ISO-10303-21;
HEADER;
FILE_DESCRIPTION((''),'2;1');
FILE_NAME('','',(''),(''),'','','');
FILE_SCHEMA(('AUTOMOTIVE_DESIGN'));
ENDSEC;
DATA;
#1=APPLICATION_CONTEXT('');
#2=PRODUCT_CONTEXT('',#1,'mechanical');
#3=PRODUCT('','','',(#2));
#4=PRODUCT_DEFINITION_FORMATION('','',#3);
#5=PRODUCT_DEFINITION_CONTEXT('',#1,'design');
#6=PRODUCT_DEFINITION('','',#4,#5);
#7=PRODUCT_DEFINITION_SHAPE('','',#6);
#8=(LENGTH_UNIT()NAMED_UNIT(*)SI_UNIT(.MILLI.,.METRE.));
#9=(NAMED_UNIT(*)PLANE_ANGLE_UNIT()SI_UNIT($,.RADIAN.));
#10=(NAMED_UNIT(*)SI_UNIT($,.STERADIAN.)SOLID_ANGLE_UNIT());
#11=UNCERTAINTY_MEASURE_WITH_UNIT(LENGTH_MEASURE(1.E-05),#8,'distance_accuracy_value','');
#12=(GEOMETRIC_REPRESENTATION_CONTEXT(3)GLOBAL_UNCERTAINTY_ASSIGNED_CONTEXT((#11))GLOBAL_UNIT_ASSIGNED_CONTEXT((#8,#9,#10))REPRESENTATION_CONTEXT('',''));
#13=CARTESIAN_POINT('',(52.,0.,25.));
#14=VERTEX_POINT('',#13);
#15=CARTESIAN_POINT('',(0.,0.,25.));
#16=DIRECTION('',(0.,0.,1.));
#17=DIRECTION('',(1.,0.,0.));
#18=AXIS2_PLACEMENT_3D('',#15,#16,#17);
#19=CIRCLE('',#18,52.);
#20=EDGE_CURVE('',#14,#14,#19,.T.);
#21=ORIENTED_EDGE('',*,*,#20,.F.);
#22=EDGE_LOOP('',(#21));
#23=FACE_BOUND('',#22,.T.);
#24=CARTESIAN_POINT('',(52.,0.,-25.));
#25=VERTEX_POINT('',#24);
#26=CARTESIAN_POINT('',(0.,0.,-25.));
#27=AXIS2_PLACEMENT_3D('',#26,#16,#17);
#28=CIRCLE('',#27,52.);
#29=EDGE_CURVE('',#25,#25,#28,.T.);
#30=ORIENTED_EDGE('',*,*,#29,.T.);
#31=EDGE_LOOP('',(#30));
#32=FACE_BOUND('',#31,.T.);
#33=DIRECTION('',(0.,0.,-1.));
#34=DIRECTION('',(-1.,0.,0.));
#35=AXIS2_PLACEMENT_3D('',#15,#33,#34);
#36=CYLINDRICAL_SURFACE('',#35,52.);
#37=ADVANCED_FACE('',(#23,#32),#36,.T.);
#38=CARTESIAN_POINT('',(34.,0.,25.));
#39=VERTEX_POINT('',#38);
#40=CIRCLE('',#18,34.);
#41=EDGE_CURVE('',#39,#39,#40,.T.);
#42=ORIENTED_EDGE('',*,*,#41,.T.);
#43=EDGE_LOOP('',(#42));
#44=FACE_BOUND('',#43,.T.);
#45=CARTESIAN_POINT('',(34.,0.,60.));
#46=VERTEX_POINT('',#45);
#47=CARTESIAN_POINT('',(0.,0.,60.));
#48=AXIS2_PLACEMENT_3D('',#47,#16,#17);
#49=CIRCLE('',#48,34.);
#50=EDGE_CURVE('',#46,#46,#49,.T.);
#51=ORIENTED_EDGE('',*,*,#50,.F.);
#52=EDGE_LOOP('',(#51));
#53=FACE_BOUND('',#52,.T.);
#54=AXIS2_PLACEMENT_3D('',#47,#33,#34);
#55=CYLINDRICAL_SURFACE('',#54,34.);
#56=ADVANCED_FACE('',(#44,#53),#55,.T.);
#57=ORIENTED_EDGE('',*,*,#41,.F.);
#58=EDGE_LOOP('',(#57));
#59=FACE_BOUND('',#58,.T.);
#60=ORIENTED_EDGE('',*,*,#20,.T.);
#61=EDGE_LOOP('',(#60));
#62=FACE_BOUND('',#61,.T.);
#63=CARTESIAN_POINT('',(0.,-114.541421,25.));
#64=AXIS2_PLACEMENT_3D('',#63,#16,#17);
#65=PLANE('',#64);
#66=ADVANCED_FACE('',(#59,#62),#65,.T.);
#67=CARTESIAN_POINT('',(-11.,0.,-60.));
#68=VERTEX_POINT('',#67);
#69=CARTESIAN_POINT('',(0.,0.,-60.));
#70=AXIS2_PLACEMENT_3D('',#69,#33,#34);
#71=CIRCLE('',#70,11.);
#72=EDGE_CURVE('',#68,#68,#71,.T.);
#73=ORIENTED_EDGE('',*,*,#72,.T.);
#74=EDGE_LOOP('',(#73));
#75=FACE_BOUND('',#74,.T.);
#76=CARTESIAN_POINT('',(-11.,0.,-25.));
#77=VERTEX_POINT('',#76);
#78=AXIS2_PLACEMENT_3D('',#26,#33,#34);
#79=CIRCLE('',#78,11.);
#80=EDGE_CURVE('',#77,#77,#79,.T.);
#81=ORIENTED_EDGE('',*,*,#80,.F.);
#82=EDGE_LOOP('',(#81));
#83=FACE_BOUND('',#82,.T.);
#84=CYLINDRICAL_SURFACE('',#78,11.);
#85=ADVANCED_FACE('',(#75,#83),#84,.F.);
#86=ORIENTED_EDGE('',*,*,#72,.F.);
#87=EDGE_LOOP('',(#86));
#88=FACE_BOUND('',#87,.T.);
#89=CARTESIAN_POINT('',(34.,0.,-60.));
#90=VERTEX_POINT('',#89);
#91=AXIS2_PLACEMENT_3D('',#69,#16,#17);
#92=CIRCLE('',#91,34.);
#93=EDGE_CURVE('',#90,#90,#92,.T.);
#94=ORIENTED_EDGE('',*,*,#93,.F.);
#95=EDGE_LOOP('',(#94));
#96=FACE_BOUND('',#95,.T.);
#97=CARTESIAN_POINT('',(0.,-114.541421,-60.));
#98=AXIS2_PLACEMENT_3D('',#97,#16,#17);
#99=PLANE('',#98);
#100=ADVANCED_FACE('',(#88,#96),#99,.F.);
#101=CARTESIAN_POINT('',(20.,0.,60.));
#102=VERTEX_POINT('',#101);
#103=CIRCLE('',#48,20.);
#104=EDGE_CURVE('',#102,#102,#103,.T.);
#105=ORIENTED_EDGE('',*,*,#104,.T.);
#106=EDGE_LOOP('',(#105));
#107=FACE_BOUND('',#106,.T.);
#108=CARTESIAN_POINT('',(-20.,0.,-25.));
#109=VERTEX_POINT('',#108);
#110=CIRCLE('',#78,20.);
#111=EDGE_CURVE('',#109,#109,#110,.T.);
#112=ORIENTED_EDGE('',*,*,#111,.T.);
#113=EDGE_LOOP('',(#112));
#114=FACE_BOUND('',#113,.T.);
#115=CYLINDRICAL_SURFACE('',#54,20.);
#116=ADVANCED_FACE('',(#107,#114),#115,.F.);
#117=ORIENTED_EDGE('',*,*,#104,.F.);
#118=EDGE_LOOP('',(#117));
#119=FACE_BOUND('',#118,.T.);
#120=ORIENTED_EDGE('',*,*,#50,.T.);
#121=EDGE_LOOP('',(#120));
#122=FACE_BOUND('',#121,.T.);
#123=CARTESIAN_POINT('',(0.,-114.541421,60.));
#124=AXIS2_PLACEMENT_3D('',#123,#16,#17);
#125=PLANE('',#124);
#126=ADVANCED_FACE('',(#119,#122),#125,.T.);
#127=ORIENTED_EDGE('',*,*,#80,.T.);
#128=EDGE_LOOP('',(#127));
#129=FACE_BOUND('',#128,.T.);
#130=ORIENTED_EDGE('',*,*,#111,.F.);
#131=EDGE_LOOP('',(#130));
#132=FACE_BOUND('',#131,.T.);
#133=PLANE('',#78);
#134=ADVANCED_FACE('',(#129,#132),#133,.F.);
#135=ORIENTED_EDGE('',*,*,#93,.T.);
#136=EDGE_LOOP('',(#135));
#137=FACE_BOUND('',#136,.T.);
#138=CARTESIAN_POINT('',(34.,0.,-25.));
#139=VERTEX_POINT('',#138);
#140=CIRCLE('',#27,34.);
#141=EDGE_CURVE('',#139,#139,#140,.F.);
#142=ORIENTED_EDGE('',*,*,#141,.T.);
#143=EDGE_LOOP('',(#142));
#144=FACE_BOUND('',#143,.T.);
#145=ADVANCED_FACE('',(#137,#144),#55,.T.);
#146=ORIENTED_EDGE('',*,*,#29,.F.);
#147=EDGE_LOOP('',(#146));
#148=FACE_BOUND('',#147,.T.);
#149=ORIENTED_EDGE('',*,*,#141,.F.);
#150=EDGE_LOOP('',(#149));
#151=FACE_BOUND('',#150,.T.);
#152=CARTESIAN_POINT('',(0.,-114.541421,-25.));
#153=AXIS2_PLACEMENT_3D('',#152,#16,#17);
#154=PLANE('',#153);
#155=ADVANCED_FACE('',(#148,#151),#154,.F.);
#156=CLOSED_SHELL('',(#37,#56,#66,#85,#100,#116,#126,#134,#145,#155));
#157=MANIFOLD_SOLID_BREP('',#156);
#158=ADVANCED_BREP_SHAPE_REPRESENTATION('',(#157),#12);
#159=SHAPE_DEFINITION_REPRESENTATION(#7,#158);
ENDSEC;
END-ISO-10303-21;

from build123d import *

# Parameters (mm, degrees)
SKETCH_1_R      = 52
SKETCH_1_R_2    = 34
EXTRUDE_1_DEPTH = 25
SKETCH_1_3_R    = 34
SKETCH_1_3_R_2  = 20
EXTRUDE_2_DEPTH = 60
SKETCH_2_R      = 20
SKETCH_2_R_2    = 11
EXTRUDE_3_DEPTH = 35


with BuildPart() as part:
    # 草图1 → 凸台-拉伸1 (new, symmetric)
    with BuildSketch(Plane.XY):
        Circle(SKETCH_1_R)
        Circle(SKETCH_1_R_2, mode=Mode.SUBTRACT)
    extrude(amount=EXTRUDE_1_DEPTH, both=True)

    # 草图1<3> → 凸台-拉伸2 (add, symmetric)
    with BuildSketch(Plane.XY):
        Circle(SKETCH_1_3_R)
        Circle(SKETCH_1_3_R_2, mode=Mode.SUBTRACT)
    extrude(amount=EXTRUDE_2_DEPTH, both=True)

    # 草图2 → 凸台-拉伸3 (add)
    with BuildSketch(Plane(origin=(0, 0, -60), x_dir=(-1, 0, 0), z_dir=(0, 0, -1))):
        Circle(SKETCH_2_R)
        Circle(SKETCH_2_R_2, mode=Mode.SUBTRACT)
    extrude(amount=-EXTRUDE_3_DEPTH)


solid = part.part
